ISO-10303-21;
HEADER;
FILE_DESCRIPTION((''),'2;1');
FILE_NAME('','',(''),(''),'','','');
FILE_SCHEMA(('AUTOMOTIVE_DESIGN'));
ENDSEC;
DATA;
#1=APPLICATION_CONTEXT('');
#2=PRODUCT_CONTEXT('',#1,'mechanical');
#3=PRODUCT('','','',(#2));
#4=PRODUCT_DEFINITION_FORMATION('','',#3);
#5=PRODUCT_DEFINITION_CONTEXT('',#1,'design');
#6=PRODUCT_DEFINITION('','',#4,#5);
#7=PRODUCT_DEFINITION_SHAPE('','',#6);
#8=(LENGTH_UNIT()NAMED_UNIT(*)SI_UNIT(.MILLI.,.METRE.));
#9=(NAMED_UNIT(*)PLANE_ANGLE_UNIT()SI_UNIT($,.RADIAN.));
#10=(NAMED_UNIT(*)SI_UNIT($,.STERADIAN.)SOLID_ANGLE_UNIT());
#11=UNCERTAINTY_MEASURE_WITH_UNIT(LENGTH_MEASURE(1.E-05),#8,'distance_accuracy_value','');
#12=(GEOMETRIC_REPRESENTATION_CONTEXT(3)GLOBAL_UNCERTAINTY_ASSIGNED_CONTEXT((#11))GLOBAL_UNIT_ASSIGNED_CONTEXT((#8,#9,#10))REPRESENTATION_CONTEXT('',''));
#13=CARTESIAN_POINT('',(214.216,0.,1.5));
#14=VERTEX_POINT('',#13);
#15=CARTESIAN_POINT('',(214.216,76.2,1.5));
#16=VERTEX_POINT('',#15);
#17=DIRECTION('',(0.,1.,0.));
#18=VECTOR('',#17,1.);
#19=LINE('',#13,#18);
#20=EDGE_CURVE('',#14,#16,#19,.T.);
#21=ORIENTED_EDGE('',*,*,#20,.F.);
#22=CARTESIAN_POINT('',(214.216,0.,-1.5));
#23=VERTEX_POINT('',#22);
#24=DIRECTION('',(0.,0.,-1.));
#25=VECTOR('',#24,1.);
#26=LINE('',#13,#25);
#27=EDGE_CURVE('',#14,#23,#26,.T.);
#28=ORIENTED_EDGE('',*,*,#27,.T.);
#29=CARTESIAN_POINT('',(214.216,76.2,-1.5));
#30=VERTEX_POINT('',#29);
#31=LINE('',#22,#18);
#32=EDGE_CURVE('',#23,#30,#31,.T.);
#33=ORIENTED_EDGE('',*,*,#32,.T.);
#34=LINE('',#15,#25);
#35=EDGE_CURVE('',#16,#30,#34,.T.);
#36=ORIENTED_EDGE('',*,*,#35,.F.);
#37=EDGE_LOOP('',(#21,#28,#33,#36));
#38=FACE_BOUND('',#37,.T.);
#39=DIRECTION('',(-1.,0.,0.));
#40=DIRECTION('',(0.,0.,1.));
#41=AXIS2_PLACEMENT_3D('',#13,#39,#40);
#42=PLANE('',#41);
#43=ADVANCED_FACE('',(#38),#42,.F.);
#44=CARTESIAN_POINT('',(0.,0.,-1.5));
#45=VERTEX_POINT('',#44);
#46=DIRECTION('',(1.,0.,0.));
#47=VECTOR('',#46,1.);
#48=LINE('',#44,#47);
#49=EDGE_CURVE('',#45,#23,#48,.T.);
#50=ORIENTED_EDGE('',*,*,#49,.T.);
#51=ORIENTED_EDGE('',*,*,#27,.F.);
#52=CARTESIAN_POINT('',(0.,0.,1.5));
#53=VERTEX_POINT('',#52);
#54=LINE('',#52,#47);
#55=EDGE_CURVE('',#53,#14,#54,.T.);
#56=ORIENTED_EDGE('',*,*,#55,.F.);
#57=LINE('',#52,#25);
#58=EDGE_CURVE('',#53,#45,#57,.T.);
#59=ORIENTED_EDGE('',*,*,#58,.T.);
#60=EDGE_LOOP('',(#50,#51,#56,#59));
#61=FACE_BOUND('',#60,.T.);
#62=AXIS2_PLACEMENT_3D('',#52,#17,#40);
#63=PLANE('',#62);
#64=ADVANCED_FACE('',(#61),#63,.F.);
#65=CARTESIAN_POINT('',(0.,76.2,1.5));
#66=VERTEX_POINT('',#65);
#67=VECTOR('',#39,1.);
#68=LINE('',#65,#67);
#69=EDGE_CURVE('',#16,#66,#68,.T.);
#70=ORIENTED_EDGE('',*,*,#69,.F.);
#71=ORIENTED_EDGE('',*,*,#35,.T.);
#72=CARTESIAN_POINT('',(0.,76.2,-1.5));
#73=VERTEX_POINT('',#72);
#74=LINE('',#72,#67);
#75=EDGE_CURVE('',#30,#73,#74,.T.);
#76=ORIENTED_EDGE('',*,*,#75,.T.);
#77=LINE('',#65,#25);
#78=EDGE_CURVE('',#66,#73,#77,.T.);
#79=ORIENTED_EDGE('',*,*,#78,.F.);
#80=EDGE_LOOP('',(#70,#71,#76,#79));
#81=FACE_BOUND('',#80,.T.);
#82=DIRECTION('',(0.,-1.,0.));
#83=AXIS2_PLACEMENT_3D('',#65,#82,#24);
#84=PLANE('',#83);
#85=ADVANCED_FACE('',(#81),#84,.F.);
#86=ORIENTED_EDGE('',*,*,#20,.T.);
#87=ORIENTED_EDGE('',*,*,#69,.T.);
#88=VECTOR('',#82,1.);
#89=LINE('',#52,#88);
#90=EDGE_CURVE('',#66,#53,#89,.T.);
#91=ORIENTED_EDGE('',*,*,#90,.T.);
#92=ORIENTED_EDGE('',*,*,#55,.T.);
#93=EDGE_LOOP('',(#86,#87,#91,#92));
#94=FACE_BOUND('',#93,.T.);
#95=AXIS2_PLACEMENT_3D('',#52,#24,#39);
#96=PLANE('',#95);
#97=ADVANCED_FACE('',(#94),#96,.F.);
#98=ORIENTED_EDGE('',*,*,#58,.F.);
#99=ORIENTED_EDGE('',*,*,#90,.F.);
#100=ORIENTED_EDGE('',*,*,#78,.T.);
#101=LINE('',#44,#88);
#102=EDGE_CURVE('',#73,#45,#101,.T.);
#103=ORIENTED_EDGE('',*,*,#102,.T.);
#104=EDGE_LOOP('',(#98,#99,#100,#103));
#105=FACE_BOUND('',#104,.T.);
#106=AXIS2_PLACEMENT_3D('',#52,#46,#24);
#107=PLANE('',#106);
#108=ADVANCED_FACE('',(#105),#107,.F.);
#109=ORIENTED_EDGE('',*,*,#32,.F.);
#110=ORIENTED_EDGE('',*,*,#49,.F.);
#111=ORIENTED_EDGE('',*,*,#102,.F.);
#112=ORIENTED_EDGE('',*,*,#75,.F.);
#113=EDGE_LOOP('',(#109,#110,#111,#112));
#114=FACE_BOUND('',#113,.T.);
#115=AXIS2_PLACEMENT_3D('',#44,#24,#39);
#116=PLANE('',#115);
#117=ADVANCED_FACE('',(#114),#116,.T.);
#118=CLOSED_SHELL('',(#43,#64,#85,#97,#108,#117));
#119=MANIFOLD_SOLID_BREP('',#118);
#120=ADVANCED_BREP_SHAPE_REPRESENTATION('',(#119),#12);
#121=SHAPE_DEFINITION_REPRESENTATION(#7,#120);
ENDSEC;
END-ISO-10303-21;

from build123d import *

# Parameters (mm, degrees)
SKETCH1_W           = 214.216
SKETCH1_H           = 76.2
BOSS_EXTRUDE1_DEPTH = 1.5


with BuildPart() as part:
    # Sketch1 → Boss-Extrude1 (new body, symmetric)
    with BuildSketch(Plane.XY):
        with Locations((107.108, 38.1)):
            Rectangle(SKETCH1_W, SKETCH1_H)
    extrude(amount=BOSS_EXTRUDE1_DEPTH, both=True)


solid = part.part
